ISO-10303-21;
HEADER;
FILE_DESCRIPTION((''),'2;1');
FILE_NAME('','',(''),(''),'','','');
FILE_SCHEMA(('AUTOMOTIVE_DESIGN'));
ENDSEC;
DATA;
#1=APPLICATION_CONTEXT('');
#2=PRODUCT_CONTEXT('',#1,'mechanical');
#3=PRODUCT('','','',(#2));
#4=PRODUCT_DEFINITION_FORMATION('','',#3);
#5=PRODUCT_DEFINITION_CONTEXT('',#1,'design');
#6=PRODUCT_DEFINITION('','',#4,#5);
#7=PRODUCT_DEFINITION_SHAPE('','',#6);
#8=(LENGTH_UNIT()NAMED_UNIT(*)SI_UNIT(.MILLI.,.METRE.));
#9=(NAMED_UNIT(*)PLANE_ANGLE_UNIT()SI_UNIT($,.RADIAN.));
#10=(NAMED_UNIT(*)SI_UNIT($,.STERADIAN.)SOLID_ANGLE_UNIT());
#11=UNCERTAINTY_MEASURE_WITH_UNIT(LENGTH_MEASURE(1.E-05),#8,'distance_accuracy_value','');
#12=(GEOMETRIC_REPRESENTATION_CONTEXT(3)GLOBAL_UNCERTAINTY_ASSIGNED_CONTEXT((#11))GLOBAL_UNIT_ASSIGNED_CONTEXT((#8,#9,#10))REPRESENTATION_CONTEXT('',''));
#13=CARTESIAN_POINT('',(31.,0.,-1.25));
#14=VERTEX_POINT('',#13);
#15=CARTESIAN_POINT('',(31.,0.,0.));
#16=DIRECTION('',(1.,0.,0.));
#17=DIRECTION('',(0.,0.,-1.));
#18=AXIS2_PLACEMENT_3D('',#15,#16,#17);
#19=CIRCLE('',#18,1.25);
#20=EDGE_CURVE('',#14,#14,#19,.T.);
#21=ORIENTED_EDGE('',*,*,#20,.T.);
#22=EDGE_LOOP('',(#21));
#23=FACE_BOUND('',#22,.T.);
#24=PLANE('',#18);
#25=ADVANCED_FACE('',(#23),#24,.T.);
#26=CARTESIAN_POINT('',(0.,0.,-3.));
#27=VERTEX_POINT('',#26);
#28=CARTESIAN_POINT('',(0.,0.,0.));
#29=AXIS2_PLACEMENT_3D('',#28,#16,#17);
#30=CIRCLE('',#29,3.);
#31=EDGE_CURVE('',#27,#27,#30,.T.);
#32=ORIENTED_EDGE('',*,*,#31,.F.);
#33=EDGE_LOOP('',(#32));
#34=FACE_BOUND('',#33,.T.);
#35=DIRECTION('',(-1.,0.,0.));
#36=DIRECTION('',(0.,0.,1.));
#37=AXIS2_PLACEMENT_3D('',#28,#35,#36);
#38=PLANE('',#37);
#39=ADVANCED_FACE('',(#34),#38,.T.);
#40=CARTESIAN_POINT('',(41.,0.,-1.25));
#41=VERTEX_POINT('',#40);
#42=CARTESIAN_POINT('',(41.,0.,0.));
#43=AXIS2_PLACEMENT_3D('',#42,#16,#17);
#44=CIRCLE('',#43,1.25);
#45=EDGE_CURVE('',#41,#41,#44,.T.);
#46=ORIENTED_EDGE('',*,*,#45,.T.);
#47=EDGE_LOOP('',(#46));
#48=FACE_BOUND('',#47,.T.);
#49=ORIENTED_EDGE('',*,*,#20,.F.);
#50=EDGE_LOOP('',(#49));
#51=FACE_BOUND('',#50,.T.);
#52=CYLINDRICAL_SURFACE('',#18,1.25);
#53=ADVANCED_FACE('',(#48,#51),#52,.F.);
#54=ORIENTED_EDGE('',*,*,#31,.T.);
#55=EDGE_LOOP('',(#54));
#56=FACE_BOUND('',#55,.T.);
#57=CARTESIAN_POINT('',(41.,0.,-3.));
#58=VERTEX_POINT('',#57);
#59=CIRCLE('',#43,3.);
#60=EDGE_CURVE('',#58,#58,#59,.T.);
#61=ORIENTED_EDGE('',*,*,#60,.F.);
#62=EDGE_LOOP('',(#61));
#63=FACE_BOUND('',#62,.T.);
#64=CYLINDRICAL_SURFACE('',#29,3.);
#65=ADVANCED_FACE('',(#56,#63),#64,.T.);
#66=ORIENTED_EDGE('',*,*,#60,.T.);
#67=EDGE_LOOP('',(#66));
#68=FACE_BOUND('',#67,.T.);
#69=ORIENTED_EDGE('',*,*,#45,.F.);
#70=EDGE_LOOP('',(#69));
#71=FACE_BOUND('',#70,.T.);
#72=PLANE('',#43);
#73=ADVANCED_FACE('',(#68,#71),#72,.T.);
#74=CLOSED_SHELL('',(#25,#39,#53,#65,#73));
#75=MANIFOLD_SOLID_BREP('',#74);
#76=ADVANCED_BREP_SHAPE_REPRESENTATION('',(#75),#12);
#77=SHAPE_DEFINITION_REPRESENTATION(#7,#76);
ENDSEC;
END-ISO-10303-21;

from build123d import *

# Parameters (mm, degrees)
SKETCH1_W          = 41
SKETCH1_H          = 3
SKETCH2_R          = 1.25
CUT_EXTRUDE1_DEPTH = 10


with BuildPart() as part:
    # Sketch1 → Revolve1 (revolve)
    with BuildSketch(Plane(origin=(0, 0, 0), x_dir=(1, 0, 0), z_dir=(0, 1, 0))):
        with Locations((20.5, 1.5)):
            Rectangle(SKETCH1_W, SKETCH1_H)
    revolve(axis=Axis((0, 0, 0), (-1, 0, 0)))

    # Sketch2 → Cut-Extrude1 (cut)
    with BuildSketch(Plane(origin=(41, 0, 0), x_dir=(0, 0, -1), z_dir=(1, 0, 0))):
        Circle(SKETCH2_R)
    extrude(amount=-CUT_EXTRUDE1_DEPTH, mode=Mode.SUBTRACT)


solid = part.part
